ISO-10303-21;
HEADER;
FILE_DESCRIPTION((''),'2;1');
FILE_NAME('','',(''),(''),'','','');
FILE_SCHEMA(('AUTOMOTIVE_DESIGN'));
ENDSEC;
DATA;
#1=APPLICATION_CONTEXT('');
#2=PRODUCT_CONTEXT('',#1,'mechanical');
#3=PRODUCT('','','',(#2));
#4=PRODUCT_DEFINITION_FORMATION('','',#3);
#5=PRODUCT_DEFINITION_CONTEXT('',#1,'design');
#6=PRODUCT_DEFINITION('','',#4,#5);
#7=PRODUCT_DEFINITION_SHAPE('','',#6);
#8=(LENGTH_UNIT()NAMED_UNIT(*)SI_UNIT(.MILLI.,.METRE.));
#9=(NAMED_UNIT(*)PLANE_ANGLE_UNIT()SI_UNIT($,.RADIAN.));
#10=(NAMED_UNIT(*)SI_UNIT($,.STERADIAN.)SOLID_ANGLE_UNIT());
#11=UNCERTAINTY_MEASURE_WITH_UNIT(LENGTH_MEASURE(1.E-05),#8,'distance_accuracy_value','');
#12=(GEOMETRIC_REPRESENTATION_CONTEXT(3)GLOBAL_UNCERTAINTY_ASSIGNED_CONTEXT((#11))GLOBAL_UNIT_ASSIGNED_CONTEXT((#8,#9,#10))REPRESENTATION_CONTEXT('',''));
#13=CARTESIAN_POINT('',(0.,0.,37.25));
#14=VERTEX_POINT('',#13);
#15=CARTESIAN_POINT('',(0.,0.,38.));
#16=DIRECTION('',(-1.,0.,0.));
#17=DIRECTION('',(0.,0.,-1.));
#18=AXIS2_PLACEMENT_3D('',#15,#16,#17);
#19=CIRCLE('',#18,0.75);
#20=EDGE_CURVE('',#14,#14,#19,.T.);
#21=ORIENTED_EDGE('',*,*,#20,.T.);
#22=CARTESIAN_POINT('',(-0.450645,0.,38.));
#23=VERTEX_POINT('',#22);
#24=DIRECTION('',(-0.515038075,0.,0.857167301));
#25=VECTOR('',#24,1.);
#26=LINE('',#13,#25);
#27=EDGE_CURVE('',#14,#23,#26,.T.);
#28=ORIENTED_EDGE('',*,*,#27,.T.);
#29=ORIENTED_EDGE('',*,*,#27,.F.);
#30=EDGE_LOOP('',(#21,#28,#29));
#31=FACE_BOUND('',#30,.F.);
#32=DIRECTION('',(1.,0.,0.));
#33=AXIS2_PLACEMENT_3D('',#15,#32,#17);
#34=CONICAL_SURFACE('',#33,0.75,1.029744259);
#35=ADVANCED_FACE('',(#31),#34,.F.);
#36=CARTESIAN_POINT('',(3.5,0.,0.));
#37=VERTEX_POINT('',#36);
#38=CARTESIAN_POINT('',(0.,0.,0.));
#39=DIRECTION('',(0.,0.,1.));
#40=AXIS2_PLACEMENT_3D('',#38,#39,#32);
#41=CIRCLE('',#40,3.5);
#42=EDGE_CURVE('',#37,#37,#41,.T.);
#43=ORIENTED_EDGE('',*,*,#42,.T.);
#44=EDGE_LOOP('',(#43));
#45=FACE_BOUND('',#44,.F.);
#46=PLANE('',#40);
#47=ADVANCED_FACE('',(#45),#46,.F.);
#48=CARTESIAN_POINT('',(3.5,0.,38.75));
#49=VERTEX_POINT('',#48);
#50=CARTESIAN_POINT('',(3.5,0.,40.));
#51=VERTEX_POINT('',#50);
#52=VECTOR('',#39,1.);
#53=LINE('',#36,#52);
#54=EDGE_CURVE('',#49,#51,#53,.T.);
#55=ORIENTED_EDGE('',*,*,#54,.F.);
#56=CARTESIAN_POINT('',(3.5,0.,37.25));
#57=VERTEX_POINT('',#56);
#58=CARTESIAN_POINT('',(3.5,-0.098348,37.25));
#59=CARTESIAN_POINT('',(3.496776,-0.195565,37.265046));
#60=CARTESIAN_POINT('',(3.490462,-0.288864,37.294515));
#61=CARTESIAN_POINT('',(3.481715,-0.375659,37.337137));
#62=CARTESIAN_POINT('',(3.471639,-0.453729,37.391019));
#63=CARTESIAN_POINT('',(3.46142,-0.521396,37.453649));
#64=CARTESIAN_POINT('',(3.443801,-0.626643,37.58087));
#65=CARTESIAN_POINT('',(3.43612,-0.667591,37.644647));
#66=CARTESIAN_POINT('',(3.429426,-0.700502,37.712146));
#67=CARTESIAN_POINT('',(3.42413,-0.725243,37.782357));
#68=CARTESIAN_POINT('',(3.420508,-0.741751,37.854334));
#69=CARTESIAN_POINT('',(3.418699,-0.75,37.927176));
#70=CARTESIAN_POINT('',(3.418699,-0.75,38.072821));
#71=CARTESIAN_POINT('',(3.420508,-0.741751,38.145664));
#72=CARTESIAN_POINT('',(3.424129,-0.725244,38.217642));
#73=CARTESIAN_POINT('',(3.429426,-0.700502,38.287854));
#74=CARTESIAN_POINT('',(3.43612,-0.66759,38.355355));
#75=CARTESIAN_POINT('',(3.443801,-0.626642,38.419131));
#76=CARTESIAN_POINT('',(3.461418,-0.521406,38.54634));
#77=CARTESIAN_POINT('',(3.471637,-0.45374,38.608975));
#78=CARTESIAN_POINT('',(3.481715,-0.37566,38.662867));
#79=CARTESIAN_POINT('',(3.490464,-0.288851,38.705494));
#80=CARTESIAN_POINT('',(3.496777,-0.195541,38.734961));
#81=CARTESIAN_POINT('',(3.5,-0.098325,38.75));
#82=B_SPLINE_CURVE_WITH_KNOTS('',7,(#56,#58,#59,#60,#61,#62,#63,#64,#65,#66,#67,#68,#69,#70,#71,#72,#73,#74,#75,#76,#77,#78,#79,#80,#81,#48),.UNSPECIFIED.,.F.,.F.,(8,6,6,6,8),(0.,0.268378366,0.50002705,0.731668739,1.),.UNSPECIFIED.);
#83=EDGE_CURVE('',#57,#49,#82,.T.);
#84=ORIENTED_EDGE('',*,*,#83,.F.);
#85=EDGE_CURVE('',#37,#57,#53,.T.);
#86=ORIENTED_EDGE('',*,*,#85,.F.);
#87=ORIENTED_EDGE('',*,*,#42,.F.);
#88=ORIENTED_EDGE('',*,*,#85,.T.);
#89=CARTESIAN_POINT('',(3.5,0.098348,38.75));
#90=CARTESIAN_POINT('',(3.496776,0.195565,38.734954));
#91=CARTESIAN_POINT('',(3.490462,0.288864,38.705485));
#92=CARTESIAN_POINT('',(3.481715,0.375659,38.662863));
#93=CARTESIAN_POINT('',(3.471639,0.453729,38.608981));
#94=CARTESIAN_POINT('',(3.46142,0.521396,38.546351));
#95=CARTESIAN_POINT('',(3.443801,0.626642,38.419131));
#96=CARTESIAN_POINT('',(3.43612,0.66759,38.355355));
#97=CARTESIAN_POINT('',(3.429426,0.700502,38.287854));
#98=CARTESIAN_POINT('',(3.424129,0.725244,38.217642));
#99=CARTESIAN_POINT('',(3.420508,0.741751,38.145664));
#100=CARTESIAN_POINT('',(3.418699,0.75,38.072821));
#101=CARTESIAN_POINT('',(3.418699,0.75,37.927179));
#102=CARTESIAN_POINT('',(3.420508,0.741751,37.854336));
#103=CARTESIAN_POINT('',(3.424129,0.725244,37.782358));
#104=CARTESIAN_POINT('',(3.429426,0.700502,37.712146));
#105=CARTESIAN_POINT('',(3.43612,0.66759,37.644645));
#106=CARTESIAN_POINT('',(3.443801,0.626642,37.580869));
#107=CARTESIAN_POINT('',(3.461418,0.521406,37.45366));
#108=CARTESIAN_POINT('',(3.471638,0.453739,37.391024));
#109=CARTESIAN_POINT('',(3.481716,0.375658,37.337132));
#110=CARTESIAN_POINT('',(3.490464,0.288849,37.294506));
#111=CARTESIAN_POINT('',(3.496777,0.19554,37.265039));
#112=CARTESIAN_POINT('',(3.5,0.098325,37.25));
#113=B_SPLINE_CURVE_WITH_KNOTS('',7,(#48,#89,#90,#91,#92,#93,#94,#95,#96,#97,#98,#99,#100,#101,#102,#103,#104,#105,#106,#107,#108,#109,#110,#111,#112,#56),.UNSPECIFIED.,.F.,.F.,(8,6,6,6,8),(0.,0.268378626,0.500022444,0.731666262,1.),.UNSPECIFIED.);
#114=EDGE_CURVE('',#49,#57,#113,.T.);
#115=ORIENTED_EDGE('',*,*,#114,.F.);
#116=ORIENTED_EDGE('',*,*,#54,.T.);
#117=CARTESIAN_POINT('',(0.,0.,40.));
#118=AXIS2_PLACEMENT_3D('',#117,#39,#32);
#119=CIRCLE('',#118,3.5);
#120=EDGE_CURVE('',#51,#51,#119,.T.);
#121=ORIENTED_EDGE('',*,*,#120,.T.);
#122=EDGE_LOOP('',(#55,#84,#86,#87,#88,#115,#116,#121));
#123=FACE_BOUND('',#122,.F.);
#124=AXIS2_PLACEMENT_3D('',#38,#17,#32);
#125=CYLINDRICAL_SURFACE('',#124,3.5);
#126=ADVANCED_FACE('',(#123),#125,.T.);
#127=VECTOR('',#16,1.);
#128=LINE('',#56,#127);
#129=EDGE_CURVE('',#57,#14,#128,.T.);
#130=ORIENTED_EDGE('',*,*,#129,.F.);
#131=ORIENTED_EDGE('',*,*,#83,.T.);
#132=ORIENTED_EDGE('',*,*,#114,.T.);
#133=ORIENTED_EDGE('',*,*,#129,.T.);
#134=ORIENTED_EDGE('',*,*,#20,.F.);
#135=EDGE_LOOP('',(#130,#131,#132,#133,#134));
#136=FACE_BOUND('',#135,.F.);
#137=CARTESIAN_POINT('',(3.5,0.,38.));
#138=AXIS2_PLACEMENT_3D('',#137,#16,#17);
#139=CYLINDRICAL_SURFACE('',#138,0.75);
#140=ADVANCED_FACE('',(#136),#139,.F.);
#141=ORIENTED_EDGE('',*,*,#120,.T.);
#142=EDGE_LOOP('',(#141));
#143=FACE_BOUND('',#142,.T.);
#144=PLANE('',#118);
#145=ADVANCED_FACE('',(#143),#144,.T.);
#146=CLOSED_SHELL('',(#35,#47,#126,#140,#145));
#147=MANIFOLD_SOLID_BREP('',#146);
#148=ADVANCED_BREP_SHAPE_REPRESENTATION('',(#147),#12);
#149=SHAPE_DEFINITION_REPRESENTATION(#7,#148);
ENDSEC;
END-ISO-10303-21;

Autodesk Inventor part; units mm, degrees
ref_plane "XZ Plane" through (0, 0, 0) normal (0, 1, 0) x (-1, 0, 0)
ref_plane "XY Plane" through (0, 0, 0) normal (0, 0, 1) x (1, 0, 0)
sketch "Sketch1" plane through (0, 0, 0) normal (0, 0, 1) x (1, 0, 0)
  circle A0 centre (0, 0) radius 3.5
  dimension "d0" = 7
extrude "Extrusion1" add sketch "Sketch1" along normal blind 40
ref_plane "Work Plane1" through (3.5, 0, 0) normal (1, 0, 0) x (0, 1, 0)
sketch "Sketch2" plane through (3.5, 0, 0) normal (1, 0, 0) x (0, 1, 0)
  point P0 (0, 0)
  point P1 (0, 38)
hole "Hole1" at (3.5, 0, 38) direction (-1, 0, 0) diameter 1.5 depth 3.5 tip angle 118
properties material "Steel, Mild"
